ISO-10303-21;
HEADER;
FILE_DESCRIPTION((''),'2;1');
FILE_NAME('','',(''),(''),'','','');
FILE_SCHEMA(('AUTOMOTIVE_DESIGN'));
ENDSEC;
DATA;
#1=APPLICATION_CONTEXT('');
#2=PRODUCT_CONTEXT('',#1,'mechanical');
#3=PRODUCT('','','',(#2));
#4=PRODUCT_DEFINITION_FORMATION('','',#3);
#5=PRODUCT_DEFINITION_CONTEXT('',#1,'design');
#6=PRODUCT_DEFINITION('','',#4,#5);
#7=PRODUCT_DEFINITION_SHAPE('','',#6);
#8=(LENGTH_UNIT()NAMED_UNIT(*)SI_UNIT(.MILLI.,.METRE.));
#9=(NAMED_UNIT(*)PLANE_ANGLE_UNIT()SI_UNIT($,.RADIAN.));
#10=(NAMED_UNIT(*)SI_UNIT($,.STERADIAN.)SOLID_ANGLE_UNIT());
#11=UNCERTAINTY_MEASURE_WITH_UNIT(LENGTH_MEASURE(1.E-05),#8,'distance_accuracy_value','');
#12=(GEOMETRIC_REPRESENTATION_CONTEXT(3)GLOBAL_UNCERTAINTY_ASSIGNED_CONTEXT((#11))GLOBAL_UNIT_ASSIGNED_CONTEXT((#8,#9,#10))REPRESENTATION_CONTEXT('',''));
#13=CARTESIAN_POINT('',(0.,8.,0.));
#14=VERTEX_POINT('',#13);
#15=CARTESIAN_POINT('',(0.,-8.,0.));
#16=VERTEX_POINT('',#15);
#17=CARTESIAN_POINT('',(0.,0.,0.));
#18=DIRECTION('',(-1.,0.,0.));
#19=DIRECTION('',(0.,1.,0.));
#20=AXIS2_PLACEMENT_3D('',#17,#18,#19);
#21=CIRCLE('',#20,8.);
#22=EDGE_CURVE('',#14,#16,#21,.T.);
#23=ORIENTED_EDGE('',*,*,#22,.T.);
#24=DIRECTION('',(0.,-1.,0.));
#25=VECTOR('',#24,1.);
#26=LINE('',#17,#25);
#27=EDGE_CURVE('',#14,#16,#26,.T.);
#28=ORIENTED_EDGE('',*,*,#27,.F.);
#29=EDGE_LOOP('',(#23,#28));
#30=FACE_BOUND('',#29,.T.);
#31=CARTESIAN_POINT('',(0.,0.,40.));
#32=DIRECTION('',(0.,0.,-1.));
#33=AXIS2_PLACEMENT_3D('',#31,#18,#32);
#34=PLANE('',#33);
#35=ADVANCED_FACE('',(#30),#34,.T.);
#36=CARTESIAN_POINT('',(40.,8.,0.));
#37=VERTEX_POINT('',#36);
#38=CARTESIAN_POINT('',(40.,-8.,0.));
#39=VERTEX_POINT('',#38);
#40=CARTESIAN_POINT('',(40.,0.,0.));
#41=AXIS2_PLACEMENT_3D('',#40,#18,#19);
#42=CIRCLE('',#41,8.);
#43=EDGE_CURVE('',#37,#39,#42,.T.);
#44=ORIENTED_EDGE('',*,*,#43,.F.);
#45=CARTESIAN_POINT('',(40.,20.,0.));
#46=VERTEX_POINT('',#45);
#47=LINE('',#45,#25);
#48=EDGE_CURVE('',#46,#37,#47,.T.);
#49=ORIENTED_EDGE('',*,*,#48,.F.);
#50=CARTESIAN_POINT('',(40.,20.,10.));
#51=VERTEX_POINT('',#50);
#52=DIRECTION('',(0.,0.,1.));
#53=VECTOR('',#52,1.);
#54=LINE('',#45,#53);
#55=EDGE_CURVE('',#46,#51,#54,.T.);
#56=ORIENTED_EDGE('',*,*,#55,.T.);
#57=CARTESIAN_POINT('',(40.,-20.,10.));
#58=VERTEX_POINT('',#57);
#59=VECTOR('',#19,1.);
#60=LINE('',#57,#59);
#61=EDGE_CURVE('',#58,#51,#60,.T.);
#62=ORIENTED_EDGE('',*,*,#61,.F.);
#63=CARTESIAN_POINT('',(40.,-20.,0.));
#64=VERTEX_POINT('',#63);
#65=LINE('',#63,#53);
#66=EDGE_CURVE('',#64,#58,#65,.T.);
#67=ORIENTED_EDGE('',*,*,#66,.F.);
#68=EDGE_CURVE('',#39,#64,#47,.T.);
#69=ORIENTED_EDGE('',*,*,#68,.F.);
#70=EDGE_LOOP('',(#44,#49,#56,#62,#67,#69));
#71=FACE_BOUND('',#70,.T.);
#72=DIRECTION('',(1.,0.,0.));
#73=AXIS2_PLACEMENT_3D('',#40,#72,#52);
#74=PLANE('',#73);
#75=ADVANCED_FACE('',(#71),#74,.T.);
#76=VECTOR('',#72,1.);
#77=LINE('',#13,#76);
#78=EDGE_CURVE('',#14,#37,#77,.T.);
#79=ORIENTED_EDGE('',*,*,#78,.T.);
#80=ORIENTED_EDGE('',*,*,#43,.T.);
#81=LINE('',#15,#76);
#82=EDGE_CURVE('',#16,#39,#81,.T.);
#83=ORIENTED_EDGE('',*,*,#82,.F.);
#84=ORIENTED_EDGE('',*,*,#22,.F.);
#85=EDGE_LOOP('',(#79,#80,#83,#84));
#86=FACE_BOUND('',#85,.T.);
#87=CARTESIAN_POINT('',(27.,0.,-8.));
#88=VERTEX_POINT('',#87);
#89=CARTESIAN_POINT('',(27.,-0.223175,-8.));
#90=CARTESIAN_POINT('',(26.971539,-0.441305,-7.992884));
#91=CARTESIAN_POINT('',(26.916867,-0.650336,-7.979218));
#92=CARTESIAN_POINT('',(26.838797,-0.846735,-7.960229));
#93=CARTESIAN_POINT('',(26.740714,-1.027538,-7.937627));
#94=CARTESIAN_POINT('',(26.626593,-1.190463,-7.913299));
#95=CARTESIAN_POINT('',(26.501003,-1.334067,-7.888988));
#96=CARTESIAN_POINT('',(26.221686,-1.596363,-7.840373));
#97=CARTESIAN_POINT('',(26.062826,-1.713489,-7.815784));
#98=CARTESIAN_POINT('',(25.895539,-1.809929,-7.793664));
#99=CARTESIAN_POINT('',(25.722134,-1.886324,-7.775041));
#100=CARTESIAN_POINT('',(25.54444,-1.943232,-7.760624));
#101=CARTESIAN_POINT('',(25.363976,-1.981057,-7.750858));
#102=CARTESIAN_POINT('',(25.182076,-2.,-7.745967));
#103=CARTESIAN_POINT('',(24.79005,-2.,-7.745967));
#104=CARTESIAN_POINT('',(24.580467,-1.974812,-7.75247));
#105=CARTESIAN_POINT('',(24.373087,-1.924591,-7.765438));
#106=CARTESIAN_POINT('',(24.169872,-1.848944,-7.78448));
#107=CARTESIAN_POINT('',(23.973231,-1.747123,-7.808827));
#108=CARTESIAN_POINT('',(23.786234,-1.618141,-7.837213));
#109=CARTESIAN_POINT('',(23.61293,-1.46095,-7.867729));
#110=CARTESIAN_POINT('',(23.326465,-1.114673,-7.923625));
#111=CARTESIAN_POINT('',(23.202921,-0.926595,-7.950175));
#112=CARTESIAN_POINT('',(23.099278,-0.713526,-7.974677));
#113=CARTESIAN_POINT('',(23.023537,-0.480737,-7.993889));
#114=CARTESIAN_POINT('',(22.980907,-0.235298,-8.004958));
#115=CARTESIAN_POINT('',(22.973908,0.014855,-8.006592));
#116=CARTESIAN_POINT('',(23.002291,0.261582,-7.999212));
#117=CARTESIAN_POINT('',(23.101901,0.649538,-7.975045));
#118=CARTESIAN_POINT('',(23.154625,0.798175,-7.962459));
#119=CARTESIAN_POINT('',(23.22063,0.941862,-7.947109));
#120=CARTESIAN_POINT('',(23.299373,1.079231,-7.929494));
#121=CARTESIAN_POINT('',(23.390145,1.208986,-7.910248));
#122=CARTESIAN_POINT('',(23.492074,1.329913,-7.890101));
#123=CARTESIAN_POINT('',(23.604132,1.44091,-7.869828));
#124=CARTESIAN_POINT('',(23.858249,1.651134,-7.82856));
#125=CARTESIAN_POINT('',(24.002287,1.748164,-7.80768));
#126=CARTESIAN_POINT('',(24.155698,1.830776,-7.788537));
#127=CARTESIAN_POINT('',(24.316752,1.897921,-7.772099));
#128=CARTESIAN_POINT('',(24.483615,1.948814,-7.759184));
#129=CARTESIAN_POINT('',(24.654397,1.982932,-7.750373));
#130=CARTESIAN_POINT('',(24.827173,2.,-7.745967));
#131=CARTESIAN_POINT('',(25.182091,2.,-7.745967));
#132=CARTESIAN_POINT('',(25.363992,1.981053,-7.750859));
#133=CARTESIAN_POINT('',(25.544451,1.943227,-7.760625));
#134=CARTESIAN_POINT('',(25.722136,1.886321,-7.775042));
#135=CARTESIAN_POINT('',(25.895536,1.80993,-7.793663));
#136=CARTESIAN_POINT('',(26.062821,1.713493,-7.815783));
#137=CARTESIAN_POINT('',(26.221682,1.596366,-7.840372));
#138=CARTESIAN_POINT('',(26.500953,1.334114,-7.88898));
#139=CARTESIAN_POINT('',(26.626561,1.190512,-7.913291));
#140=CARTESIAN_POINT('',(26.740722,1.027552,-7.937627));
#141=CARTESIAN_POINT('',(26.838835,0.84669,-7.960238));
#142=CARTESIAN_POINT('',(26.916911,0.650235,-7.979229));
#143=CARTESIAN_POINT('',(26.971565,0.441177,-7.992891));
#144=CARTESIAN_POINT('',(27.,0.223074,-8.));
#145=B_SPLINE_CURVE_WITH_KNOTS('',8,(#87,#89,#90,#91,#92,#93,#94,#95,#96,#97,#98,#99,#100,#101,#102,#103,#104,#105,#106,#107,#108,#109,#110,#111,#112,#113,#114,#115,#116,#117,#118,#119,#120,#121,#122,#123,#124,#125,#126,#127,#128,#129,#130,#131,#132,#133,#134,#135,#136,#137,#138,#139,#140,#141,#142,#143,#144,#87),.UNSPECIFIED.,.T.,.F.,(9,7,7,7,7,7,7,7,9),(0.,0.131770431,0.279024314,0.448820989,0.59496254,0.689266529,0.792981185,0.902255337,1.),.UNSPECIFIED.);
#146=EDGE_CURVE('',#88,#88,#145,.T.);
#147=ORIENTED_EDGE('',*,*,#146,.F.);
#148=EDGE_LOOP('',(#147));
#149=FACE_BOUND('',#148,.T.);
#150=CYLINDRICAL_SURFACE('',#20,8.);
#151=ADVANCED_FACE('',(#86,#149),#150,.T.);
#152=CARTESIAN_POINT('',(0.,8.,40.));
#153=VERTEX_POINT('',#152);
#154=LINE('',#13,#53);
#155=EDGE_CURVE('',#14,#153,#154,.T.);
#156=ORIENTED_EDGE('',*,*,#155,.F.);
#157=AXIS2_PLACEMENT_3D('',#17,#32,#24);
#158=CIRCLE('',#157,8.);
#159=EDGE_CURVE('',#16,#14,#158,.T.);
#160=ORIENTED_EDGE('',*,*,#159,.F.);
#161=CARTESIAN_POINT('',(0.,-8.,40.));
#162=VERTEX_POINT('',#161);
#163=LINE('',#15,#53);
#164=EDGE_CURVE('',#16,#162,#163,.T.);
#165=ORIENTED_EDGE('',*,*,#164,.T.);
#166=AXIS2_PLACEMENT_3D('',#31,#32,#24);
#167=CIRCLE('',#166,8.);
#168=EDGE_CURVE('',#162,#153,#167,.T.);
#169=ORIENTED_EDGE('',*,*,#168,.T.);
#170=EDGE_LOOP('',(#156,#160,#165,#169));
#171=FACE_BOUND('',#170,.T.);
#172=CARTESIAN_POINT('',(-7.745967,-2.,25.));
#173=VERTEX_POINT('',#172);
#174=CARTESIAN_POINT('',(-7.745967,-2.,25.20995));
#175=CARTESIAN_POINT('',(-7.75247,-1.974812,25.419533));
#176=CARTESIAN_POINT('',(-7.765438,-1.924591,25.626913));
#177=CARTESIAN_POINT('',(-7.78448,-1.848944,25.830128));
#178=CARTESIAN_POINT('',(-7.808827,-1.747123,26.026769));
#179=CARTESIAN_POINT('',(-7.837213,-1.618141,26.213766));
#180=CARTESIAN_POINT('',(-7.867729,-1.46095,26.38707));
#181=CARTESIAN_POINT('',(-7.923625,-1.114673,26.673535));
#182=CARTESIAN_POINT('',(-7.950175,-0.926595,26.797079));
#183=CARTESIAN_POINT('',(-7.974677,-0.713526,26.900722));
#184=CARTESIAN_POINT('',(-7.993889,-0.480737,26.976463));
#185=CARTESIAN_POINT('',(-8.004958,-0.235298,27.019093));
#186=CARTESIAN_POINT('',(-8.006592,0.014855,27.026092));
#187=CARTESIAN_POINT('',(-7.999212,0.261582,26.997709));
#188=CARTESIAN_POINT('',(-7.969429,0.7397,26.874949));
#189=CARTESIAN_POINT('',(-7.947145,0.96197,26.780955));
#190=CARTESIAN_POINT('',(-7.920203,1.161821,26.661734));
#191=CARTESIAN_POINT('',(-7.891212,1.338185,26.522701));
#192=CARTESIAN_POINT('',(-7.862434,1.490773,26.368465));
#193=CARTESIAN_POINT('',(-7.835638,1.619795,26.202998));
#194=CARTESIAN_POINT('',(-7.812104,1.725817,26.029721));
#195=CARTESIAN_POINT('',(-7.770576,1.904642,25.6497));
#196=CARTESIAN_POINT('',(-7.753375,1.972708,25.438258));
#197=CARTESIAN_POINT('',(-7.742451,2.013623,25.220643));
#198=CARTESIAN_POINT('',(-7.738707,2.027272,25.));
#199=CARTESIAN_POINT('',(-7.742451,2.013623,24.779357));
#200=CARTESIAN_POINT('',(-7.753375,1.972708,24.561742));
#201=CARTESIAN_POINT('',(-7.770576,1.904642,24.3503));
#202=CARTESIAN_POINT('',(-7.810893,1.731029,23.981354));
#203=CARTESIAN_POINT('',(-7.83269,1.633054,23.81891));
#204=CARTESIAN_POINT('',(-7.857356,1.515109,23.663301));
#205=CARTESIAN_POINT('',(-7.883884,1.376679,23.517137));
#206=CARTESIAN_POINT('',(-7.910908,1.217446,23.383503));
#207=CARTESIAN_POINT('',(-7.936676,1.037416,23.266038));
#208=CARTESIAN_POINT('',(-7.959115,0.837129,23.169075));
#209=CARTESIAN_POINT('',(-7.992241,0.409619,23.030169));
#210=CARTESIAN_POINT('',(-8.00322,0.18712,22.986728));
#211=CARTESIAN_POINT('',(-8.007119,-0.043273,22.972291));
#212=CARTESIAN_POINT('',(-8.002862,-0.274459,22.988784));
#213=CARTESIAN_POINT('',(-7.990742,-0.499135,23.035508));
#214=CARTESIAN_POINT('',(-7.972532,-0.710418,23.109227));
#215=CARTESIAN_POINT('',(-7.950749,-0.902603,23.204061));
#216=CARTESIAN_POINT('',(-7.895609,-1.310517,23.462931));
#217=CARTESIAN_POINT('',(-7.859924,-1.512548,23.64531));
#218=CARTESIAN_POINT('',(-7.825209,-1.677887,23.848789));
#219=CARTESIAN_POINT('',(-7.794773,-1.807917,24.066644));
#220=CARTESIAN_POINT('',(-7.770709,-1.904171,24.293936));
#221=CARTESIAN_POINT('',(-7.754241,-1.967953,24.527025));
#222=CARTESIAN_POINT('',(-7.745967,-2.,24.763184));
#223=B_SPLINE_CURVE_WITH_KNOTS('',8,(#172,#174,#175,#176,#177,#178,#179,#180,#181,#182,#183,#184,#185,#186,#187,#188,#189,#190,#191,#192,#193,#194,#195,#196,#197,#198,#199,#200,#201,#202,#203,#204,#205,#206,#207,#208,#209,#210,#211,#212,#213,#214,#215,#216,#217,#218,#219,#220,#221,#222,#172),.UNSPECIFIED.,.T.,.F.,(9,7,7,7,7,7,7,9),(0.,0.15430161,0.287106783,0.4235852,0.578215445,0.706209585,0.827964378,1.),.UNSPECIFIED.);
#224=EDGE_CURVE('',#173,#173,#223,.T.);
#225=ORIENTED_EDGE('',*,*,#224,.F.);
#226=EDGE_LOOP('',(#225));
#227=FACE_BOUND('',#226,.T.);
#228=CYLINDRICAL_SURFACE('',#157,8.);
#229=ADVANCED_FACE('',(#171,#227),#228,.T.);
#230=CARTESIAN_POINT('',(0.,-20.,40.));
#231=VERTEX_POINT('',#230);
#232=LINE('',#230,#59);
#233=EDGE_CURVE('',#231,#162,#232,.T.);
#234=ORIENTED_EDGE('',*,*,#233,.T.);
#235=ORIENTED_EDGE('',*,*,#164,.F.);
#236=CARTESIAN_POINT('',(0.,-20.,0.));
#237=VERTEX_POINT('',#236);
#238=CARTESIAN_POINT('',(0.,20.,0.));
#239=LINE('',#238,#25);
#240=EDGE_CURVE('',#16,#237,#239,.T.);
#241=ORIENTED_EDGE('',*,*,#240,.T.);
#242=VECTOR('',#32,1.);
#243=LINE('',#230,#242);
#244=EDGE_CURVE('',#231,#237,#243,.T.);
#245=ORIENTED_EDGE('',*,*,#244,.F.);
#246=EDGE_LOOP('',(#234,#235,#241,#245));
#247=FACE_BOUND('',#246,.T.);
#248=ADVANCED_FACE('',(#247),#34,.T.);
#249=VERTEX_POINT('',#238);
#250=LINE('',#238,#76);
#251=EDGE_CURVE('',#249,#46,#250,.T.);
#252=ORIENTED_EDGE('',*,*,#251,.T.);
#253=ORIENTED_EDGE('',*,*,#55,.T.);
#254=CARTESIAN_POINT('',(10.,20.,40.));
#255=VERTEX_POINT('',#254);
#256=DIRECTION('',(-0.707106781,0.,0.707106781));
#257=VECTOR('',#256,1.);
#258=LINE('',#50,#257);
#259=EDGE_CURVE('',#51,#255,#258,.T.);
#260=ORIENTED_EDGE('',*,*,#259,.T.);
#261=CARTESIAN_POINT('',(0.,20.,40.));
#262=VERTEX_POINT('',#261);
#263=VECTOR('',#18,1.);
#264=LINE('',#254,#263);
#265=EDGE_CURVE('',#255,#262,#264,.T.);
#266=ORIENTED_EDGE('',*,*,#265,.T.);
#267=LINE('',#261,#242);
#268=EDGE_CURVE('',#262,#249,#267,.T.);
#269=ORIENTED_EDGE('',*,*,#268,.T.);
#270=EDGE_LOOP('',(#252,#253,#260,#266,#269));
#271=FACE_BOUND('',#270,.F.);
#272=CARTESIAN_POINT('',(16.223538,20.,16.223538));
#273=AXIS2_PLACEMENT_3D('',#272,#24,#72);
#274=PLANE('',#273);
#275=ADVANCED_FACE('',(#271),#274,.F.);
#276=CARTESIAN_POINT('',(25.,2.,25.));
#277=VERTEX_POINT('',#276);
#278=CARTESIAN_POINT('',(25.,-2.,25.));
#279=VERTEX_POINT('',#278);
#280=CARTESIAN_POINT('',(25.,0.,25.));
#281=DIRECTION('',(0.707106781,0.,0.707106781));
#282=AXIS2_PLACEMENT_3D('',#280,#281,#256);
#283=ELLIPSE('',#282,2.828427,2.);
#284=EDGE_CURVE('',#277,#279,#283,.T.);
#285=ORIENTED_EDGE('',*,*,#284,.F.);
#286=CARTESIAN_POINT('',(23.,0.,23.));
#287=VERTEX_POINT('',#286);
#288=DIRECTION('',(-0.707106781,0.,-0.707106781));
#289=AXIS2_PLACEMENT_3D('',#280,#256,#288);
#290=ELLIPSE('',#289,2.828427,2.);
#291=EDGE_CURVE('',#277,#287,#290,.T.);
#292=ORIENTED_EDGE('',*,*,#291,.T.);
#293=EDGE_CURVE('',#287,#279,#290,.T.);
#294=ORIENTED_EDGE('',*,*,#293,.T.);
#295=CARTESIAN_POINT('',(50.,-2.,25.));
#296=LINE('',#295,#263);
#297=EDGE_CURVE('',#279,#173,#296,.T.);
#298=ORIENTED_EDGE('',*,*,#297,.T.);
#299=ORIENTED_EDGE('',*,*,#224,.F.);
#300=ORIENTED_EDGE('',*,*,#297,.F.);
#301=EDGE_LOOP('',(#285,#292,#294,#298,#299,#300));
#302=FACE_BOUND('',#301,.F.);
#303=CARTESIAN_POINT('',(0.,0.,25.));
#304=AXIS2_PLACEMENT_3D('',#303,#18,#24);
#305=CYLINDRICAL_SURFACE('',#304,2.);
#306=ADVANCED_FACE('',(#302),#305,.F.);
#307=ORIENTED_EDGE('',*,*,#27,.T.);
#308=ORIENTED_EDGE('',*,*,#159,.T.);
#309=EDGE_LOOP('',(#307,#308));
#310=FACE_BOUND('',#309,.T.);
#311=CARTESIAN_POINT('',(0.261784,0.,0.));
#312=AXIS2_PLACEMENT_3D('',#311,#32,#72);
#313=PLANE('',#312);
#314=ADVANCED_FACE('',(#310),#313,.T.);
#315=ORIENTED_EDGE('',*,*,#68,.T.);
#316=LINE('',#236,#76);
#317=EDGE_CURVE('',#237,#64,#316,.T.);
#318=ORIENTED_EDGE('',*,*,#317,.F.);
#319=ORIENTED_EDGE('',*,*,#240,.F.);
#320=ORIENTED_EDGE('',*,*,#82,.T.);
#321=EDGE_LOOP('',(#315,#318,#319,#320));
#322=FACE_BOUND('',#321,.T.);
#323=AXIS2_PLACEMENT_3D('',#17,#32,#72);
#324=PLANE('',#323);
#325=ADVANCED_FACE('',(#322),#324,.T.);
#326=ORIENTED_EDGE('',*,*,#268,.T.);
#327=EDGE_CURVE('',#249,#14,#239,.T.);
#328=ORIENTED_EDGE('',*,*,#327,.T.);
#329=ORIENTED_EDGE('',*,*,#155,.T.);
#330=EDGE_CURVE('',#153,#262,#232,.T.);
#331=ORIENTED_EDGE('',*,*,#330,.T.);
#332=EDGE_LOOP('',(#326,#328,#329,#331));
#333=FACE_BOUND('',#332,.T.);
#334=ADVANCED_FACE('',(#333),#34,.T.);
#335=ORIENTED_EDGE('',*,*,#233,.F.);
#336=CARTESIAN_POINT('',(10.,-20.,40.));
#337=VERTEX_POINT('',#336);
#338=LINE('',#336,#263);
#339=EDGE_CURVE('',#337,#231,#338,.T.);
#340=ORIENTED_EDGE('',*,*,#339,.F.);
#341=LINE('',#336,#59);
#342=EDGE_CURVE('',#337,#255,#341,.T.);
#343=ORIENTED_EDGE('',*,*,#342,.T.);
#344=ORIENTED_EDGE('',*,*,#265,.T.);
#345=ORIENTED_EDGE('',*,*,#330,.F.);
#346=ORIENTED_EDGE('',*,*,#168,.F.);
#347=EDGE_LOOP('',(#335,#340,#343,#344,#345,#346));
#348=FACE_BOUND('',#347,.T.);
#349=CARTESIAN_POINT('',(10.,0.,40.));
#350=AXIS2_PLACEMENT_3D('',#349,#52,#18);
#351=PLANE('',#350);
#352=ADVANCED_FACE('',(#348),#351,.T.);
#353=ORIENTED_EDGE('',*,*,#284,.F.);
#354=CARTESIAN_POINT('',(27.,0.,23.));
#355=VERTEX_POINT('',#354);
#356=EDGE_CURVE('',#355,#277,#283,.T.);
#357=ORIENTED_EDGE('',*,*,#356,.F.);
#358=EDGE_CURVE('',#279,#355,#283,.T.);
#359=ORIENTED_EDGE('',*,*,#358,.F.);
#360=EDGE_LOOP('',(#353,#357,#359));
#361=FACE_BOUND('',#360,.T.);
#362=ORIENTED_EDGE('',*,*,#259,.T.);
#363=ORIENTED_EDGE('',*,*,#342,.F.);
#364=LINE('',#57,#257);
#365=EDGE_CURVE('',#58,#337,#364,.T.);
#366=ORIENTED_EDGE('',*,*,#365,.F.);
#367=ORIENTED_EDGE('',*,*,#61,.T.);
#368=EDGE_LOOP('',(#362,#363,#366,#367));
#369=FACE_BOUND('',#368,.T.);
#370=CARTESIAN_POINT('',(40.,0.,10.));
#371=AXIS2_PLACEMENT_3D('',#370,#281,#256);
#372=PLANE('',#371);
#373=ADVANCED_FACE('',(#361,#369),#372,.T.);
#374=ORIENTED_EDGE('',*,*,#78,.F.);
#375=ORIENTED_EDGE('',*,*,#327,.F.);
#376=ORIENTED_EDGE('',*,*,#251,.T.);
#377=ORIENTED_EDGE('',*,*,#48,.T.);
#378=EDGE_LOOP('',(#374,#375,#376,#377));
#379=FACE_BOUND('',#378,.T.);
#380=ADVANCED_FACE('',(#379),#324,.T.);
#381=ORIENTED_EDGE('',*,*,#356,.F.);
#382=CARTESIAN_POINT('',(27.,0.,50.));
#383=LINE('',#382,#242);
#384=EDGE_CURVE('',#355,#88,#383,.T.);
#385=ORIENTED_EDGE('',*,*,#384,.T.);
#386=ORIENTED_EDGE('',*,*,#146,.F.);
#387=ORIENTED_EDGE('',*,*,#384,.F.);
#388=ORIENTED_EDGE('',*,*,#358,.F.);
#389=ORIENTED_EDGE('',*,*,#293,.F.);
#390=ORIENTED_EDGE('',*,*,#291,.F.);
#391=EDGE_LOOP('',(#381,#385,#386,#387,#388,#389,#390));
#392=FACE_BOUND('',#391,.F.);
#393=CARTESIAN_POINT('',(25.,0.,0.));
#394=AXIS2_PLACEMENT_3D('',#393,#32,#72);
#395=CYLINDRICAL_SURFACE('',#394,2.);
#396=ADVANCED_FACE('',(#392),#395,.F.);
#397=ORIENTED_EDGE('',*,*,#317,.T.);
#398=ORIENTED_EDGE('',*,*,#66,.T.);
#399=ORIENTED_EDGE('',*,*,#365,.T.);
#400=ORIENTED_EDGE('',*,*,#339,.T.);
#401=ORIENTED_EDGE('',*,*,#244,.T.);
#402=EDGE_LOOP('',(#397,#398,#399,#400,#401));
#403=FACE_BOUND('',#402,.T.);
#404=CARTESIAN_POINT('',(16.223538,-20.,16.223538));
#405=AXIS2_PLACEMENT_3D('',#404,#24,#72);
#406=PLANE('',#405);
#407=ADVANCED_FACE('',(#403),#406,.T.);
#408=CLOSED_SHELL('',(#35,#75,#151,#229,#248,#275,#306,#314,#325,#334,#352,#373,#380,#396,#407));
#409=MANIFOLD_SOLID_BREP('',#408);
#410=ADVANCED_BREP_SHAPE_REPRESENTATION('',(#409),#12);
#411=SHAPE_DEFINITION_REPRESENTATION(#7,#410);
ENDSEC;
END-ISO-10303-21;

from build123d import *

# Parameters (mm, degrees)
F1_DEPTH = 20
F3_DEPTH = 40
F5_DEPTH = 40
F6_R     = 2
F7_DEPTH = 50
F8_R     = 2
F9_DEPTH = 50


with BuildPart() as f1:
    # F0 (on Front) → F1 (new body, symmetric)
    with BuildSketch(Plane.XZ):
        Polygon((0, 40), (0, 0), (40, 0), (40, 10), (10, 40), align=None)
    extrude(amount=F1_DEPTH, both=True)

    # F2 (on face) → F3 (join)
    with BuildSketch(Plane(origin=(0, 0, 0), x_dir=(0, -1, 0), z_dir=(-1, 0, 0))):
        with BuildLine():
            ThreePointArc((-8, 0), (0, -8), (8, 0))
            Line((8, 0), (-8, 0))
        make_face()
    extrude(amount=-F3_DEPTH)

    # F4 (on face) → F5 (join)
    with BuildSketch(Plane(origin=(0, 0, 0), x_dir=(1, 0, 0), z_dir=(0, 0, -1))):
        with BuildLine():
            ThreePointArc((0, -8), (5.6568542495, -5.6568542495), (8, 0))
            ThreePointArc((8, 0), (5.6568542495, 5.6568542495), (0, 8))
            ThreePointArc((0, 8), (-8, 0), (0, -8))
        make_face()
    extrude(amount=-F5_DEPTH)

    # F6 (on face) → F7 (cut, symmetric)
    with BuildSketch(Plane(origin=(0, 0, 0), x_dir=(0, -1, 0), z_dir=(-1, 0, 0))):
        with Locations((0, 25)):
            Circle(F6_R)
    extrude(amount=F7_DEPTH, both=True, mode=Mode.SUBTRACT)

    # F8 (on face) → F9 (cut, symmetric)
    with BuildSketch(Plane(origin=(0, 0, 0), x_dir=(1, 0, 0), z_dir=(0, 0, -1))):
        with Locations((25, 0)):
            Circle(F8_R)
    extrude(amount=F9_DEPTH, both=True, mode=Mode.SUBTRACT)


solid = f1.part
